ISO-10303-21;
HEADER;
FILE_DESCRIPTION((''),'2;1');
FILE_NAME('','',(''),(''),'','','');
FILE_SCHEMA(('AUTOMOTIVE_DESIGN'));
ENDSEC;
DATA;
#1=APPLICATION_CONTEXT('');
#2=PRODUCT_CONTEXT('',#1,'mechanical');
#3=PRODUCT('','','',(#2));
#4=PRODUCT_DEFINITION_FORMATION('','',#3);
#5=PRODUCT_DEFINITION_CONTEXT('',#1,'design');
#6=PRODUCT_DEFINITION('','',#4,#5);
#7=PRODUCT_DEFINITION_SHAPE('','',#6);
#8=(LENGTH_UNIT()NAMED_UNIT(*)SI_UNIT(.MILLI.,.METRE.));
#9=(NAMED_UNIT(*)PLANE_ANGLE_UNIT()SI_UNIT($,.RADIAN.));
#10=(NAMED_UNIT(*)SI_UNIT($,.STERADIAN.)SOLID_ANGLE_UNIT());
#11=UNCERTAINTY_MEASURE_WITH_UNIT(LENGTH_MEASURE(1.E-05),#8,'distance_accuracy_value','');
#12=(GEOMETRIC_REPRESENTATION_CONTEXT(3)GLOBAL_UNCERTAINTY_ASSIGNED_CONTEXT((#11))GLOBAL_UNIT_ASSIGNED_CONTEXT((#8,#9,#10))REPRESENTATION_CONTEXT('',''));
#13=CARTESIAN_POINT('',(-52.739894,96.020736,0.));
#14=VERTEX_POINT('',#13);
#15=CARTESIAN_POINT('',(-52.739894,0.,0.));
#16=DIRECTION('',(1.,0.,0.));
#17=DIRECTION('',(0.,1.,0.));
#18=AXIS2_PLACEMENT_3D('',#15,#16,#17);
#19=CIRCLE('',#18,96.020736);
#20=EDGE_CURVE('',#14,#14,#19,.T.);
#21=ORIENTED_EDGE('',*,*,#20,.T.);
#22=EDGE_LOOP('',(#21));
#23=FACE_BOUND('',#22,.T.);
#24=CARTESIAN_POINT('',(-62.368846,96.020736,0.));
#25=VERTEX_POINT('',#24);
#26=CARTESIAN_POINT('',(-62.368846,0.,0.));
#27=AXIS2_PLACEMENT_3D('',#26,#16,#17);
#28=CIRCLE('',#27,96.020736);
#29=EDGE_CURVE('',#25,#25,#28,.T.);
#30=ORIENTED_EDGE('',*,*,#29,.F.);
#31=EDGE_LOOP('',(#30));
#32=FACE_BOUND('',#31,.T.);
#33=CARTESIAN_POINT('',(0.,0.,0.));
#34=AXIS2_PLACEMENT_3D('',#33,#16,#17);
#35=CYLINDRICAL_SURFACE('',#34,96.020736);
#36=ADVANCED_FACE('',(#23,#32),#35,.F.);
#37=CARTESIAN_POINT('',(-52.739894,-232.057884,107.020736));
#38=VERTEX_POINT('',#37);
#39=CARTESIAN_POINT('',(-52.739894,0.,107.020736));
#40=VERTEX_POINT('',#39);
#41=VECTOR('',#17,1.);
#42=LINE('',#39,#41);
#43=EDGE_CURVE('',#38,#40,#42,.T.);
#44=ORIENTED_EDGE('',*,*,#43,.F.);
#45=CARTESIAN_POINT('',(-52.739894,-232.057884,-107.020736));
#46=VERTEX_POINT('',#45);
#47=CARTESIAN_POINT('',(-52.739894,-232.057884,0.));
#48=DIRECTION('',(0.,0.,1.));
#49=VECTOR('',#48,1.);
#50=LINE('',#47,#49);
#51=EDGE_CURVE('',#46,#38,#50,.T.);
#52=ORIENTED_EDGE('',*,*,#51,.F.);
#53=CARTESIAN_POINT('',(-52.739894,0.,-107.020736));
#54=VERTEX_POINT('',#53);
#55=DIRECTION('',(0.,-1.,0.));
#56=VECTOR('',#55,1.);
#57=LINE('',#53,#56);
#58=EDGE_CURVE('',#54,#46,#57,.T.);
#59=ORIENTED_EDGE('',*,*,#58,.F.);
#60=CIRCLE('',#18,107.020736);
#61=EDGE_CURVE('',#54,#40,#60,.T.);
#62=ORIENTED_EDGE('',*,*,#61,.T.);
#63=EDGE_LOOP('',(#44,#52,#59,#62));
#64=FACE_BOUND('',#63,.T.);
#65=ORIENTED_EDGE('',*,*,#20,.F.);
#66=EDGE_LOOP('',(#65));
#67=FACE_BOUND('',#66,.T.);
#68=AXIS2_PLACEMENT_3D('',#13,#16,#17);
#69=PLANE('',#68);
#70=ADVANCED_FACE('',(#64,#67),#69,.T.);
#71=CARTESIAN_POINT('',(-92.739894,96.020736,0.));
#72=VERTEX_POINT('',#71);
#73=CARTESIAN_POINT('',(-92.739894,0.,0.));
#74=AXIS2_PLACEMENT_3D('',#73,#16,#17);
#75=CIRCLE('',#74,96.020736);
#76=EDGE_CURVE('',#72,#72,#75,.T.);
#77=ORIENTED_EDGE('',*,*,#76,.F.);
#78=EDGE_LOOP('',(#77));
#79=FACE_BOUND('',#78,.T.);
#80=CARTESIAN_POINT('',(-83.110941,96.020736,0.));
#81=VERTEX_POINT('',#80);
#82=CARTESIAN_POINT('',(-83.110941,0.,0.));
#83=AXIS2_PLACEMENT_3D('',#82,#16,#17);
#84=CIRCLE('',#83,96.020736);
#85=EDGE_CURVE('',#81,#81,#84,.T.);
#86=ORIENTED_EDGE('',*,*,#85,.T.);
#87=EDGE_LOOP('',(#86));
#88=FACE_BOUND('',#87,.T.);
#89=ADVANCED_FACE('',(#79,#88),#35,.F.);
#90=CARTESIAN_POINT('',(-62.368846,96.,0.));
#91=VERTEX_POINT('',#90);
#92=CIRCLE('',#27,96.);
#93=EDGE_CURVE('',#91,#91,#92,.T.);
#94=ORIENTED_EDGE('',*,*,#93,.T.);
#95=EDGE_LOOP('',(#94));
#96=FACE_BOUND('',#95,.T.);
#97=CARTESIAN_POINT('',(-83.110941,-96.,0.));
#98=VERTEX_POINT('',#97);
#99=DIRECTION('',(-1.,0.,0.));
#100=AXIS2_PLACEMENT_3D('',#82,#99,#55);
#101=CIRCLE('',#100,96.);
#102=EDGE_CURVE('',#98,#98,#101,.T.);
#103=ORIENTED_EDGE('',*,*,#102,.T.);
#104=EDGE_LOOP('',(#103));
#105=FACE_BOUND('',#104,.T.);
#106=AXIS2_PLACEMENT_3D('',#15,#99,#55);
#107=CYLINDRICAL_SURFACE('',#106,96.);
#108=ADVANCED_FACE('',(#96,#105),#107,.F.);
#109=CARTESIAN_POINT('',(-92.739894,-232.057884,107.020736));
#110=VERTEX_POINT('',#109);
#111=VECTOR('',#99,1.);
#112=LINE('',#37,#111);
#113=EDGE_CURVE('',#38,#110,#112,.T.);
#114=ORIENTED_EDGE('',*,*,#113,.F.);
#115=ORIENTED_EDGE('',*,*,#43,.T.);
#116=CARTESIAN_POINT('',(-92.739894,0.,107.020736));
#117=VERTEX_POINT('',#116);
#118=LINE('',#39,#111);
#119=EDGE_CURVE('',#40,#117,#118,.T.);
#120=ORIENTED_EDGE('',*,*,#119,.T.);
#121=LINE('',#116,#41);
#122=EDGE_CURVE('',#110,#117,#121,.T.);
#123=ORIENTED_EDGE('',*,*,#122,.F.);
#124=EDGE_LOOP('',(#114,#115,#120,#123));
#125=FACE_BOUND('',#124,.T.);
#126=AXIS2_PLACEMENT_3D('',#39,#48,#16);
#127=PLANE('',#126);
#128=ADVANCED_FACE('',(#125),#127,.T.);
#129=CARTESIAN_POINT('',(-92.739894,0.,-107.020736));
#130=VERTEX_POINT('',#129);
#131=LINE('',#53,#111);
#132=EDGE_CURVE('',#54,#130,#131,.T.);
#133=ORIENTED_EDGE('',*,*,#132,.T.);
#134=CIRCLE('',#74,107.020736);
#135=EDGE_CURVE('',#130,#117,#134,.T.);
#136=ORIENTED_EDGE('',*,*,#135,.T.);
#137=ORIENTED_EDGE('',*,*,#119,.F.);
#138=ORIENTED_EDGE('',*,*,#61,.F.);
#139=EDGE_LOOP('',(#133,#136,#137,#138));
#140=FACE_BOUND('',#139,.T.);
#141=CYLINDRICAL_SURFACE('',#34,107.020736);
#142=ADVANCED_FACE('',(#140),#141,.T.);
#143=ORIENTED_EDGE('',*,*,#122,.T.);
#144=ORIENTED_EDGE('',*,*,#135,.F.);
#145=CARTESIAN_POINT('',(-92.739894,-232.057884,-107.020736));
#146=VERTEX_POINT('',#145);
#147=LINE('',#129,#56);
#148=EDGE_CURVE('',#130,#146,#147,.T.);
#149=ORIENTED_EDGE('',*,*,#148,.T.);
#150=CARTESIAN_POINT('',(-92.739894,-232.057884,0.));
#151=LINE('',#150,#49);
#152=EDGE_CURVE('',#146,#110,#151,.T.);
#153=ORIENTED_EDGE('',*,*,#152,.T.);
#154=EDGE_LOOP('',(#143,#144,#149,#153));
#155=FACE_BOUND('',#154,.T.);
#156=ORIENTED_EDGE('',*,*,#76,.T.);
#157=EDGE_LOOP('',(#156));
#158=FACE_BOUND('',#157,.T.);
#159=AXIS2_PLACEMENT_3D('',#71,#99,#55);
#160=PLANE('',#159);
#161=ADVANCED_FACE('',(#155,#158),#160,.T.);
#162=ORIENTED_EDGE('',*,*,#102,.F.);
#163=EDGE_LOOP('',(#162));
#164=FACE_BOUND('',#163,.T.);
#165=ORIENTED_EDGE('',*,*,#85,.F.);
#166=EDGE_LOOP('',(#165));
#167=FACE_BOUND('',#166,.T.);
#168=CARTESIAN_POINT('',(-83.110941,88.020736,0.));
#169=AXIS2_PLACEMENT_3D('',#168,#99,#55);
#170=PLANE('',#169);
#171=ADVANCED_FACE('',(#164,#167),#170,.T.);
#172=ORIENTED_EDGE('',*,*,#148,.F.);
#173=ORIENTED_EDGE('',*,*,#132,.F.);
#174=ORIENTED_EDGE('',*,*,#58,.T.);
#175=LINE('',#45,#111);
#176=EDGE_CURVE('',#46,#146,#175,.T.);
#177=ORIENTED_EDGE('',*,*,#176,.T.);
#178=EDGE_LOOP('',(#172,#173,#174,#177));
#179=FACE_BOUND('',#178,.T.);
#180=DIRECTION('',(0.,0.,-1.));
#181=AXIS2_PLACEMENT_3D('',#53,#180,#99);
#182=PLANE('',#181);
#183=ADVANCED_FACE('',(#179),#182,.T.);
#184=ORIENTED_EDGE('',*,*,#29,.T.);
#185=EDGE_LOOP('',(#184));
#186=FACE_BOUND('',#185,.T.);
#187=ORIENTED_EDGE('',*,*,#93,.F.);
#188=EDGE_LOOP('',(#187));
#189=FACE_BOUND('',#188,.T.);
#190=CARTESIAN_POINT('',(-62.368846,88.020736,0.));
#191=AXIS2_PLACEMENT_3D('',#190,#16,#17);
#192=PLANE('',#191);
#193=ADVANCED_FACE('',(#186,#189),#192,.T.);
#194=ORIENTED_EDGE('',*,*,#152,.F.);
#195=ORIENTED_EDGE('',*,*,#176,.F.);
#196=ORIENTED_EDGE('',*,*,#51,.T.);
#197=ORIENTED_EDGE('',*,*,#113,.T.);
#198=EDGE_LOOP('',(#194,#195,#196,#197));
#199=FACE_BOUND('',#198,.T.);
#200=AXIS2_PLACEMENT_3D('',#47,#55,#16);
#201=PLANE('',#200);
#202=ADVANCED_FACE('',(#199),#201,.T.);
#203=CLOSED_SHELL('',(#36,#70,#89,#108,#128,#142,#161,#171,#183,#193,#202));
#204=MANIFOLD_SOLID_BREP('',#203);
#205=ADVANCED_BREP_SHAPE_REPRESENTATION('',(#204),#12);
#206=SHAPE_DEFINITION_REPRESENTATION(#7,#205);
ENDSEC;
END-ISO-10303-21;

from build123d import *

# Parameters (mm, degrees)
DODANIE_WYCI_GNI_CIE1_START = -40
DODANIE_WYCI_GNI_CIE1_DEPTH = 40
SZKIC4_R                    = 96
WYTNIJ_WYCI_GNI_CIE1_DEPTH  = 40


with BuildPart() as part:
    # Szkic1 → Obrót1 (revolve)
    with BuildSketch(Plane.XY):
        Polygon((-52.739893705, 77.020736352), (-92.739893705, 77.020736352), (-92.739893705, 88.020736352), (-83.110941126, 88.020736352), (-83.110941126, 96.020736352), (-92.739893705, 96.020736352), (-92.739893705, 107.020736352), (-52.739893705, 107.020736352), (-52.739893705, 96.020736352), (-62.368846284, 96.020736352), (-62.368846284, 88.020736352), (-52.739893705, 88.020736352), align=None)
    revolve(axis=Axis((0, 0, 0), (-1, 0, 0)))

    # Szkic2 → Dodanie-wyciągnięcie1 (add)
    with BuildSketch(Plane.ZY.offset(92.739893705).offset(DODANIE_WYCI_GNI_CIE1_START)):
        with BuildLine():
            ThreePointArc((-107.020736352, 0), (0, -107.020736352), (107.020736352, 0))
            Line((107.020736352, 0), (107.020736352, -232.057883899))
            Line((107.020736352, -232.057883899), (-107.020736352, -232.057883899))
            Line((-107.020736352, -232.057883899), (-107.020736352, 0))
        make_face()
    extrude(amount=DODANIE_WYCI_GNI_CIE1_DEPTH)

    # Szkic4 → Wytnij-wyciągnięcie1 (cut)
    with BuildSketch(Plane.ZY.offset(92.739893705)):
        with Locations(Location((0, 0, 0), (0, 0, 270))):
            Circle(SZKIC4_R)
    extrude(amount=-WYTNIJ_WYCI_GNI_CIE1_DEPTH, mode=Mode.SUBTRACT)


solid = part.part
